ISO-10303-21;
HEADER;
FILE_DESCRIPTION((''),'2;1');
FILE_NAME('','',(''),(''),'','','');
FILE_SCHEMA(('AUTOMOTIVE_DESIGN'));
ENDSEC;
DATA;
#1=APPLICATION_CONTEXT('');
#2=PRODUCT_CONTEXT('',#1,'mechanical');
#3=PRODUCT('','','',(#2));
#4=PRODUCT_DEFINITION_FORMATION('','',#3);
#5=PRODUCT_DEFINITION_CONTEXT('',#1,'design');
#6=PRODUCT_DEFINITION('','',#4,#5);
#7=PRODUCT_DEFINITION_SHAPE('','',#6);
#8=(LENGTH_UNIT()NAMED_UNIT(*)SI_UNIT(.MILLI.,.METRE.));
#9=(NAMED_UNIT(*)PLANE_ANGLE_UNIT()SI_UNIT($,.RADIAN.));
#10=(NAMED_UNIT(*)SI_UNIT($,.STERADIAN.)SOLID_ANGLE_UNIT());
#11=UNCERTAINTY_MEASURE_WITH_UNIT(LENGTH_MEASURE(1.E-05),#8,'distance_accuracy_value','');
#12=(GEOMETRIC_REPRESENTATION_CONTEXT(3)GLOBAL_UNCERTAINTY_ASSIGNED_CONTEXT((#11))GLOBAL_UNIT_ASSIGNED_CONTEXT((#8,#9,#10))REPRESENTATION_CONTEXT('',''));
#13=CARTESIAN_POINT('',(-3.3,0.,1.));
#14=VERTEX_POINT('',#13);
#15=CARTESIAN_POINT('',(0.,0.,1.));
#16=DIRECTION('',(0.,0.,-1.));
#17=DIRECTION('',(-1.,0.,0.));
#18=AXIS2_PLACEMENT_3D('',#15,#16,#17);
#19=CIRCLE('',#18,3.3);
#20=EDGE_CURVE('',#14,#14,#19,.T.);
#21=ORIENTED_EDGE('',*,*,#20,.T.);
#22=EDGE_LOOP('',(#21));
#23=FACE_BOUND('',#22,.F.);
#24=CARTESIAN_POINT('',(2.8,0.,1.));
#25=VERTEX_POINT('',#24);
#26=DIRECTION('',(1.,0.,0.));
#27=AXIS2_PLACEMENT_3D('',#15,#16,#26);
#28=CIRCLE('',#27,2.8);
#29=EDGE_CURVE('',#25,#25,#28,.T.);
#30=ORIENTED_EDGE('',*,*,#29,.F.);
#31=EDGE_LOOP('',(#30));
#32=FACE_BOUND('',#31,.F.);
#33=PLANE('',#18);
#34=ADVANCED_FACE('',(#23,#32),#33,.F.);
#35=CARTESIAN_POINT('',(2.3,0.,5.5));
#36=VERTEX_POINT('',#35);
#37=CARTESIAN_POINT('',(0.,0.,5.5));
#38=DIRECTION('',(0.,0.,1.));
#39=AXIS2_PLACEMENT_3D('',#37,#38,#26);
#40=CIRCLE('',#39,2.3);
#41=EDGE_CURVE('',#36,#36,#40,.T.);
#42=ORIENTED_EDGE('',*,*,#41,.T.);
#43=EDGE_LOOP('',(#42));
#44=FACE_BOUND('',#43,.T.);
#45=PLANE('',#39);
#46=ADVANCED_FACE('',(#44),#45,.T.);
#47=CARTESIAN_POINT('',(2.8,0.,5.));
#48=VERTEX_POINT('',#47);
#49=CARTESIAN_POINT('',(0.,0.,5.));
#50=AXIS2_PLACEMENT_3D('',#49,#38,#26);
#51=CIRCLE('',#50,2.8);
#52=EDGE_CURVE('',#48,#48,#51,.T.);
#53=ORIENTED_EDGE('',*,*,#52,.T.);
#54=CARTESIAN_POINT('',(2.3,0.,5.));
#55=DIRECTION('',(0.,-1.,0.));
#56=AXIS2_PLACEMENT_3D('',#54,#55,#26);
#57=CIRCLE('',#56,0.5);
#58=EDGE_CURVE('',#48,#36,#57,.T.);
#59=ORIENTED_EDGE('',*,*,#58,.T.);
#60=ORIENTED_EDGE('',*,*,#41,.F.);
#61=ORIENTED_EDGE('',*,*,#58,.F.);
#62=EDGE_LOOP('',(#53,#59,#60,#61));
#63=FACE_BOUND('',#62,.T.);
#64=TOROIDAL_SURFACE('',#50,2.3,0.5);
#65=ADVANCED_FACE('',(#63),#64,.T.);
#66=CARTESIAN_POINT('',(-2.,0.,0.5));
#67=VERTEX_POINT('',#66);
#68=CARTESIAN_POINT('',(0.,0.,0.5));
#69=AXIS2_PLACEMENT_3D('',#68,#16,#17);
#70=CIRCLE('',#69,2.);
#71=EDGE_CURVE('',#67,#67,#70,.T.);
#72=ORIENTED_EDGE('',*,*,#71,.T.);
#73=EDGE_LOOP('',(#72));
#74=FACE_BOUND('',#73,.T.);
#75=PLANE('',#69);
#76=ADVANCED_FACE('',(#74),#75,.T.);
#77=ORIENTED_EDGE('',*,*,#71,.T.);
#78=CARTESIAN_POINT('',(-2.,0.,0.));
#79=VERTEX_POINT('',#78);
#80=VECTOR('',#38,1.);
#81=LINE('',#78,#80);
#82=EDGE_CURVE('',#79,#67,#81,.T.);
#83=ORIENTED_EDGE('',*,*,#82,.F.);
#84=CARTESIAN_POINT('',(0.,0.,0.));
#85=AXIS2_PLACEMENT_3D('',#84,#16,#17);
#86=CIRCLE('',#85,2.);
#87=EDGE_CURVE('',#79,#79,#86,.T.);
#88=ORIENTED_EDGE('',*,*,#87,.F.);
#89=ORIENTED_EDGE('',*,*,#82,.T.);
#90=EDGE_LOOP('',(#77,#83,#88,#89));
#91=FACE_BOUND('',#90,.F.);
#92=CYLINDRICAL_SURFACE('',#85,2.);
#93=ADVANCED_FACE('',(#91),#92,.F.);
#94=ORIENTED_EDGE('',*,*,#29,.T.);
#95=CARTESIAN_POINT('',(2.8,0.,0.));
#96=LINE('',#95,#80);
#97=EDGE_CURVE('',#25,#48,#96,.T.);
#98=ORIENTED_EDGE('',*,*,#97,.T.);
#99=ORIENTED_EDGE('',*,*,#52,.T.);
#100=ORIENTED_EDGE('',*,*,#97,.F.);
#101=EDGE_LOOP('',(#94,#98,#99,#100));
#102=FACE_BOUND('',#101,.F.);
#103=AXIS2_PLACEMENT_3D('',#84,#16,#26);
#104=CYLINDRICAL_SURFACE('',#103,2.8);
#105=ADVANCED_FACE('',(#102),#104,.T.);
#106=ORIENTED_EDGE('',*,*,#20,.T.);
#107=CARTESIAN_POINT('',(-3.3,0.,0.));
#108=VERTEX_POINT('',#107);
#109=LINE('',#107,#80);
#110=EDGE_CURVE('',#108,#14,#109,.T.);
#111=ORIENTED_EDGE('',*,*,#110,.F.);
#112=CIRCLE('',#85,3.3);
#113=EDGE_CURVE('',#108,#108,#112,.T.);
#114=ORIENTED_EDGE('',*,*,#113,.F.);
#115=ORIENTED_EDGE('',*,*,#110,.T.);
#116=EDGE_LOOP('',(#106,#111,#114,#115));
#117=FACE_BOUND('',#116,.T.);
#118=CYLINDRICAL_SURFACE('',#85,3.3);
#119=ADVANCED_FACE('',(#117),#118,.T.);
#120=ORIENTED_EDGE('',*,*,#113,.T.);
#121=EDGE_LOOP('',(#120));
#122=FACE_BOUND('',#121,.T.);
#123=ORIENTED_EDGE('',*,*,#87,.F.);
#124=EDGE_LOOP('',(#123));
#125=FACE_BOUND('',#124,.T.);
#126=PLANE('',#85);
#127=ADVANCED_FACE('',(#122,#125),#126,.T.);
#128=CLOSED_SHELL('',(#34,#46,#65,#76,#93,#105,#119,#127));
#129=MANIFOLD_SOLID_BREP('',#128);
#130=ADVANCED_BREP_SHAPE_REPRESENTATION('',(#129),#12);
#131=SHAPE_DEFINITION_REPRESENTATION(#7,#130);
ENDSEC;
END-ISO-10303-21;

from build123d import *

# Parameters (mm, degrees)
SKETCH_1_R          = 2.8
EXTRUDE_1_DEPTH     = 5.5
SKETCH_2_R          = 3.3
EXTRUDE_2_DEPTH     = 1
SKETCH_3_R          = 2
CUT_EXTRUDE_1_DEPTH = 0.5
FILLET_1_R          = 0.5


with BuildPart() as part:
    # 草图1 → 凸台-拉伸1 (new body)
    with BuildSketch(Plane.XY):
        Circle(SKETCH_1_R)
    extrude(amount=EXTRUDE_1_DEPTH)

    # 草图2 → 凸台-拉伸2 (add)
    with BuildSketch(Plane(origin=(0, 0, 0), x_dir=(-1, 0, 0), z_dir=(0, 0, -1))):
        Circle(SKETCH_2_R)
    extrude(amount=-EXTRUDE_2_DEPTH)

    # 草图3 → 切除-拉伸1 (cut)
    with BuildSketch(Plane(origin=(0, 0, 0), x_dir=(-1, 0, 0), z_dir=(0, 0, -1))):
        Circle(SKETCH_3_R)
    extrude(amount=-CUT_EXTRUDE_1_DEPTH, mode=Mode.SUBTRACT)

    # 圆角1
    fillet_1_edges = [part.edges().sort_by_distance(p)[0] for p in [
        (-2.8, 0, 5.5),
    ]]
    fillet(fillet_1_edges, radius=FILLET_1_R)


solid = part.part
